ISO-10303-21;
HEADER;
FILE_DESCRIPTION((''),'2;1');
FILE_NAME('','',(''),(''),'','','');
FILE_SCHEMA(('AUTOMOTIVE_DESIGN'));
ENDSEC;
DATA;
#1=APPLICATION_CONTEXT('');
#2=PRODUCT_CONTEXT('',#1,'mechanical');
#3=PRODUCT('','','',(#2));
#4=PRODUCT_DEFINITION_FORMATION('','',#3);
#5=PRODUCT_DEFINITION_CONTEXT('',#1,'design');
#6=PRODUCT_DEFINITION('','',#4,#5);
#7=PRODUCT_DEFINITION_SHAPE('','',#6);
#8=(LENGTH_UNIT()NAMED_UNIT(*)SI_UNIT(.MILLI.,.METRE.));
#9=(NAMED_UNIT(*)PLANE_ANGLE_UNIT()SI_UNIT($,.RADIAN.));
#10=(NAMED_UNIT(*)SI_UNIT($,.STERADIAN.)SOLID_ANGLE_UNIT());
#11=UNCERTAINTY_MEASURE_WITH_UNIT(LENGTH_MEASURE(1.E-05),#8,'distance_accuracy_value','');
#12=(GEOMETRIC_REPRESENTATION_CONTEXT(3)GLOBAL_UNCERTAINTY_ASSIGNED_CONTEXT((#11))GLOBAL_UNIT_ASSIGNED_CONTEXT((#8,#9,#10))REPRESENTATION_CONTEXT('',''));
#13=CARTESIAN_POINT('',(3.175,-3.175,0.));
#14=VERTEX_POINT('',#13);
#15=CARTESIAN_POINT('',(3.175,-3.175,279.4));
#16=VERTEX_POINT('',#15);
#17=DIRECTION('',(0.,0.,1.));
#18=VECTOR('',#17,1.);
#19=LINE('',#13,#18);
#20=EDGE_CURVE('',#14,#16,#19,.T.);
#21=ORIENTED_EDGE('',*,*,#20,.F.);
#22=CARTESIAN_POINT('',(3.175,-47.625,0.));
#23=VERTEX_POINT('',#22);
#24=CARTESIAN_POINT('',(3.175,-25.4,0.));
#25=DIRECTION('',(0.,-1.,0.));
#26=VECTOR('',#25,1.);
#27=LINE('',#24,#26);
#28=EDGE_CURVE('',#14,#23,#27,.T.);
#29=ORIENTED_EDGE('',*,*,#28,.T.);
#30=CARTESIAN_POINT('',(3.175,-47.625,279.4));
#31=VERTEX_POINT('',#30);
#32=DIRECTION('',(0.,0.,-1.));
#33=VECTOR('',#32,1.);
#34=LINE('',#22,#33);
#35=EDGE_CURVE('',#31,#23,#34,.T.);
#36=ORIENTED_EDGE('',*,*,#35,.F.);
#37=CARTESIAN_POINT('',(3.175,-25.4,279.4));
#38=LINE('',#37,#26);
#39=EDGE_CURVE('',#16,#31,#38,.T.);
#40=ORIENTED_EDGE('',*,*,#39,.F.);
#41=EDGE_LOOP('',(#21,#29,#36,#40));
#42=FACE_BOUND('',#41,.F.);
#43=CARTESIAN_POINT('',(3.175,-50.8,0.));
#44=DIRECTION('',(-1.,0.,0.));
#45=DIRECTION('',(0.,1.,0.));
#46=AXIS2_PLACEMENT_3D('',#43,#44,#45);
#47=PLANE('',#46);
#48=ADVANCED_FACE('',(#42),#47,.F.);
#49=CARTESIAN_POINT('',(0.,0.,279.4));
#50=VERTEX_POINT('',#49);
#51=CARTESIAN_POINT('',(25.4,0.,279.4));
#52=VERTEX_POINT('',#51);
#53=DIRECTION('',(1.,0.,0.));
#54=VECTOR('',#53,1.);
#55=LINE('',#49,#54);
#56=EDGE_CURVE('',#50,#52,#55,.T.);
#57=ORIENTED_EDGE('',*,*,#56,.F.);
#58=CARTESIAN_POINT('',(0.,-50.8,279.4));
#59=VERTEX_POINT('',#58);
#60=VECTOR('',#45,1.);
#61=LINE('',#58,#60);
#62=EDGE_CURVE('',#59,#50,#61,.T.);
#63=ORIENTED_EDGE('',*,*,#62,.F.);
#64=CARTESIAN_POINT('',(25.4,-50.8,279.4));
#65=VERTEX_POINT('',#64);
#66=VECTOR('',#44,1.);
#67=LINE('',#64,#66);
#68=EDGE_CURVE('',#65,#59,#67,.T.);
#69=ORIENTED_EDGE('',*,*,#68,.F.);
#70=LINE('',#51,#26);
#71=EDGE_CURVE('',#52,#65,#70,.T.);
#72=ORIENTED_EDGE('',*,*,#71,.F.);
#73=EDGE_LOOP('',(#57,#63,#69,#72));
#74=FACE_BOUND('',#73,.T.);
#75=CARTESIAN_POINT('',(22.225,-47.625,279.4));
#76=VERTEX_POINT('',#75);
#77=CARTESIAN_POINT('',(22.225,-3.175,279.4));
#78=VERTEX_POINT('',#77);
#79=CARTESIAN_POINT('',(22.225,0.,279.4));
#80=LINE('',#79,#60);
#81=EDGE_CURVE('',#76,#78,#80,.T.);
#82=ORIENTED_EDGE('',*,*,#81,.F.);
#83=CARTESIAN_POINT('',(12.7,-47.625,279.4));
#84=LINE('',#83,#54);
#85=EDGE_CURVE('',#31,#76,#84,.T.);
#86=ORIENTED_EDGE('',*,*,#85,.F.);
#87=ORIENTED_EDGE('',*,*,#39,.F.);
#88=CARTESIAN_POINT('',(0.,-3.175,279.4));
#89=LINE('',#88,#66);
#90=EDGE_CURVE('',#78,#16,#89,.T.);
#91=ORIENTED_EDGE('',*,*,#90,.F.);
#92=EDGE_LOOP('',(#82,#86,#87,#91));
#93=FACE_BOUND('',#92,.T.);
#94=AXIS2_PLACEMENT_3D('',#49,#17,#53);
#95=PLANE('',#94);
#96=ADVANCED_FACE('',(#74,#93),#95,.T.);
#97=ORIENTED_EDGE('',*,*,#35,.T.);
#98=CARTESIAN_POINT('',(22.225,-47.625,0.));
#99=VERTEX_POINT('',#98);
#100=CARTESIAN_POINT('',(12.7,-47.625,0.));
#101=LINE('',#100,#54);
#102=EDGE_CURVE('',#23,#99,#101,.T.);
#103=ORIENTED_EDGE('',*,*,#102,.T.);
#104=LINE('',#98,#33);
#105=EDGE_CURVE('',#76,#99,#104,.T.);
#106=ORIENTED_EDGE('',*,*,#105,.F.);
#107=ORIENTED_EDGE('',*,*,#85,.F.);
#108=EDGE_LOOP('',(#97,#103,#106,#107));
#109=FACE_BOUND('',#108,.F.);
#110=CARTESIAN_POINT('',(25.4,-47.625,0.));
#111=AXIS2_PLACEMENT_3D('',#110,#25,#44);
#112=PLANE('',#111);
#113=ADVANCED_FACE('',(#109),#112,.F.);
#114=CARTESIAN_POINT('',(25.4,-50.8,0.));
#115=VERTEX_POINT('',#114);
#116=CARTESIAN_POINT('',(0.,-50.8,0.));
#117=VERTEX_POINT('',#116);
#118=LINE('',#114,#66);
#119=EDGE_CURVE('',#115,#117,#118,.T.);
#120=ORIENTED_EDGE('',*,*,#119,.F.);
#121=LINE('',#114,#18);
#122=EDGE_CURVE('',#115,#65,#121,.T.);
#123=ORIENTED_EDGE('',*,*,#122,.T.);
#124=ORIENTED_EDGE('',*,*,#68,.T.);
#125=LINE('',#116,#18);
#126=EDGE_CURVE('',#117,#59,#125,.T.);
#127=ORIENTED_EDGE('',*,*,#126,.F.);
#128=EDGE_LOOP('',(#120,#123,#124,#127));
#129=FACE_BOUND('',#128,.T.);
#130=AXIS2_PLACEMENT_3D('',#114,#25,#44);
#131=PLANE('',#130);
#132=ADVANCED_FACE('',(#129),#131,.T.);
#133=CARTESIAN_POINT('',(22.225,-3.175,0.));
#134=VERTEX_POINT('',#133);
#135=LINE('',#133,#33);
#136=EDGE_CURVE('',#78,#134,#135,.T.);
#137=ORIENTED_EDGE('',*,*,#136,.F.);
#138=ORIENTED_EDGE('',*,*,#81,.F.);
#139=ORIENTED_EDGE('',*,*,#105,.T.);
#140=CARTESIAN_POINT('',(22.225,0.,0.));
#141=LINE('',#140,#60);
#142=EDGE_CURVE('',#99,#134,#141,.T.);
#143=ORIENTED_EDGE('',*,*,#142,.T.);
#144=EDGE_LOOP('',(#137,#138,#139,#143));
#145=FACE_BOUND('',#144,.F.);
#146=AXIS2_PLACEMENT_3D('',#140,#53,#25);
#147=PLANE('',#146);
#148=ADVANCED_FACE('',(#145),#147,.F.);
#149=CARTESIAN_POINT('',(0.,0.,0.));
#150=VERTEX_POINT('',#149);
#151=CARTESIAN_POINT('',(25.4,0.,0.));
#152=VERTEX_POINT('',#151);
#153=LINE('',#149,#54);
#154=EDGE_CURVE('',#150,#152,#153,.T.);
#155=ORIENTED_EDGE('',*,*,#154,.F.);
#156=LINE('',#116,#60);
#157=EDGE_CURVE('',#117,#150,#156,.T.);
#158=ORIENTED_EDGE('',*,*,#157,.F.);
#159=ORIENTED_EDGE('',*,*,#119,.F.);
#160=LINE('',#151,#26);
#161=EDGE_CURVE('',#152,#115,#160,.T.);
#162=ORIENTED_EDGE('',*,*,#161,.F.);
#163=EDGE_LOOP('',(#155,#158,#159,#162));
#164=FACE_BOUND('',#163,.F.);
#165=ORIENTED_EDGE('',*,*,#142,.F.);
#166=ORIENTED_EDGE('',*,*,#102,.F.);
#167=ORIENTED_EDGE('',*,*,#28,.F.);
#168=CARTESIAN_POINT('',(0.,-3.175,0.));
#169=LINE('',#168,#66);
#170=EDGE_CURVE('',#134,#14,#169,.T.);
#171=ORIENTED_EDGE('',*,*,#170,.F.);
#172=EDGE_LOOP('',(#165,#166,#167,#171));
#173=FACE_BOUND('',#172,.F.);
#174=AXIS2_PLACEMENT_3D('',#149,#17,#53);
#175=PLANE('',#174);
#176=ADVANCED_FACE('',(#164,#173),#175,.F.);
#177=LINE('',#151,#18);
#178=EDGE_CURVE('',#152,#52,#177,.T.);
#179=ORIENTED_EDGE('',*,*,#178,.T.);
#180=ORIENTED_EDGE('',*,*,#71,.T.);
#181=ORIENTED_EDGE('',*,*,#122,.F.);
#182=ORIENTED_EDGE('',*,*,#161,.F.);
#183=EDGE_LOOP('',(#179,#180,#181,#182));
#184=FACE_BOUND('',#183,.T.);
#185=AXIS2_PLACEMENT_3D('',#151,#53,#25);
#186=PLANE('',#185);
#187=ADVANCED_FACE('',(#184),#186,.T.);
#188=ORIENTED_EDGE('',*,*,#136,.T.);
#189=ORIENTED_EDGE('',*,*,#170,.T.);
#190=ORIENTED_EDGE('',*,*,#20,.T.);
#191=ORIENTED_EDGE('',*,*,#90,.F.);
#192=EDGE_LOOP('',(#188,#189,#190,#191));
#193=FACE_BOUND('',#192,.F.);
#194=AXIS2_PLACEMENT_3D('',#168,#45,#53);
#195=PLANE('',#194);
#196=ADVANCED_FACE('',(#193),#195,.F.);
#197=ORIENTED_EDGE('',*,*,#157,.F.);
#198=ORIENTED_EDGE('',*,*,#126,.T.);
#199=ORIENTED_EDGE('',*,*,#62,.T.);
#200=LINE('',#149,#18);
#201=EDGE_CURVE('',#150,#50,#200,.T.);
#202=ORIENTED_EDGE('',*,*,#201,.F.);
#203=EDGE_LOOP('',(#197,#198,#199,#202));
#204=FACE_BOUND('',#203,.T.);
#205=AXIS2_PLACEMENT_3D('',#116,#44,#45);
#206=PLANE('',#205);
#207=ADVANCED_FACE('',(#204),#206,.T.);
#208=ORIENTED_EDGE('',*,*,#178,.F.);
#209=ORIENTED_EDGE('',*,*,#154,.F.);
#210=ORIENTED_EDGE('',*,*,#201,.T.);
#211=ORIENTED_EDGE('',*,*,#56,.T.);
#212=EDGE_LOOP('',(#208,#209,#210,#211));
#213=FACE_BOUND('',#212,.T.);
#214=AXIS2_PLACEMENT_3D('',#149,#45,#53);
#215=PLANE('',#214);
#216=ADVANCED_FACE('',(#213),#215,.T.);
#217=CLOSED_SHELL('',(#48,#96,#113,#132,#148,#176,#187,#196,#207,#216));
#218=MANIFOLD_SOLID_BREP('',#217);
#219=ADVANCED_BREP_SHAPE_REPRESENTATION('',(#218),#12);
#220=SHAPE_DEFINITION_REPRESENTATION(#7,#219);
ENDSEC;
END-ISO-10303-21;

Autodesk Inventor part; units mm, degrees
ref_plane "YZ Plane" through (0, 0, 0) normal (1, 0, 0) x (0, 1, 0)
ref_plane "XZ Plane" through (0, 0, 0) normal (0, 1, 0) x (-1, 0, 0)
ref_plane "XY Plane" through (0, 0, 0) normal (0, 0, 1) x (1, 0, 0)
sketch "Sketch1" plane through (0, 0, 0) normal (0, 0, 1) x (1, 0, 0)
  line L0 (0, 0) -> (25.4, 0)
  line L1 (25.4, 0) -> (25.4, -50.8)
  line L2 (25.4, -50.8) -> (0, -50.8)
  line L3 (0, -50.8) -> (0, 0)
  dimension "d0" = 25.4
  dimension "d1" = 50.8
extrude "Extrusion1" add sketch "Sketch1" along normal blind 279.4
shell "Shell1" thickness 3.175 removed faces 2 at (8.4667, -16.9333, 0) at (8.4667, -16.9333, 279.4)
properties part number "11in"
